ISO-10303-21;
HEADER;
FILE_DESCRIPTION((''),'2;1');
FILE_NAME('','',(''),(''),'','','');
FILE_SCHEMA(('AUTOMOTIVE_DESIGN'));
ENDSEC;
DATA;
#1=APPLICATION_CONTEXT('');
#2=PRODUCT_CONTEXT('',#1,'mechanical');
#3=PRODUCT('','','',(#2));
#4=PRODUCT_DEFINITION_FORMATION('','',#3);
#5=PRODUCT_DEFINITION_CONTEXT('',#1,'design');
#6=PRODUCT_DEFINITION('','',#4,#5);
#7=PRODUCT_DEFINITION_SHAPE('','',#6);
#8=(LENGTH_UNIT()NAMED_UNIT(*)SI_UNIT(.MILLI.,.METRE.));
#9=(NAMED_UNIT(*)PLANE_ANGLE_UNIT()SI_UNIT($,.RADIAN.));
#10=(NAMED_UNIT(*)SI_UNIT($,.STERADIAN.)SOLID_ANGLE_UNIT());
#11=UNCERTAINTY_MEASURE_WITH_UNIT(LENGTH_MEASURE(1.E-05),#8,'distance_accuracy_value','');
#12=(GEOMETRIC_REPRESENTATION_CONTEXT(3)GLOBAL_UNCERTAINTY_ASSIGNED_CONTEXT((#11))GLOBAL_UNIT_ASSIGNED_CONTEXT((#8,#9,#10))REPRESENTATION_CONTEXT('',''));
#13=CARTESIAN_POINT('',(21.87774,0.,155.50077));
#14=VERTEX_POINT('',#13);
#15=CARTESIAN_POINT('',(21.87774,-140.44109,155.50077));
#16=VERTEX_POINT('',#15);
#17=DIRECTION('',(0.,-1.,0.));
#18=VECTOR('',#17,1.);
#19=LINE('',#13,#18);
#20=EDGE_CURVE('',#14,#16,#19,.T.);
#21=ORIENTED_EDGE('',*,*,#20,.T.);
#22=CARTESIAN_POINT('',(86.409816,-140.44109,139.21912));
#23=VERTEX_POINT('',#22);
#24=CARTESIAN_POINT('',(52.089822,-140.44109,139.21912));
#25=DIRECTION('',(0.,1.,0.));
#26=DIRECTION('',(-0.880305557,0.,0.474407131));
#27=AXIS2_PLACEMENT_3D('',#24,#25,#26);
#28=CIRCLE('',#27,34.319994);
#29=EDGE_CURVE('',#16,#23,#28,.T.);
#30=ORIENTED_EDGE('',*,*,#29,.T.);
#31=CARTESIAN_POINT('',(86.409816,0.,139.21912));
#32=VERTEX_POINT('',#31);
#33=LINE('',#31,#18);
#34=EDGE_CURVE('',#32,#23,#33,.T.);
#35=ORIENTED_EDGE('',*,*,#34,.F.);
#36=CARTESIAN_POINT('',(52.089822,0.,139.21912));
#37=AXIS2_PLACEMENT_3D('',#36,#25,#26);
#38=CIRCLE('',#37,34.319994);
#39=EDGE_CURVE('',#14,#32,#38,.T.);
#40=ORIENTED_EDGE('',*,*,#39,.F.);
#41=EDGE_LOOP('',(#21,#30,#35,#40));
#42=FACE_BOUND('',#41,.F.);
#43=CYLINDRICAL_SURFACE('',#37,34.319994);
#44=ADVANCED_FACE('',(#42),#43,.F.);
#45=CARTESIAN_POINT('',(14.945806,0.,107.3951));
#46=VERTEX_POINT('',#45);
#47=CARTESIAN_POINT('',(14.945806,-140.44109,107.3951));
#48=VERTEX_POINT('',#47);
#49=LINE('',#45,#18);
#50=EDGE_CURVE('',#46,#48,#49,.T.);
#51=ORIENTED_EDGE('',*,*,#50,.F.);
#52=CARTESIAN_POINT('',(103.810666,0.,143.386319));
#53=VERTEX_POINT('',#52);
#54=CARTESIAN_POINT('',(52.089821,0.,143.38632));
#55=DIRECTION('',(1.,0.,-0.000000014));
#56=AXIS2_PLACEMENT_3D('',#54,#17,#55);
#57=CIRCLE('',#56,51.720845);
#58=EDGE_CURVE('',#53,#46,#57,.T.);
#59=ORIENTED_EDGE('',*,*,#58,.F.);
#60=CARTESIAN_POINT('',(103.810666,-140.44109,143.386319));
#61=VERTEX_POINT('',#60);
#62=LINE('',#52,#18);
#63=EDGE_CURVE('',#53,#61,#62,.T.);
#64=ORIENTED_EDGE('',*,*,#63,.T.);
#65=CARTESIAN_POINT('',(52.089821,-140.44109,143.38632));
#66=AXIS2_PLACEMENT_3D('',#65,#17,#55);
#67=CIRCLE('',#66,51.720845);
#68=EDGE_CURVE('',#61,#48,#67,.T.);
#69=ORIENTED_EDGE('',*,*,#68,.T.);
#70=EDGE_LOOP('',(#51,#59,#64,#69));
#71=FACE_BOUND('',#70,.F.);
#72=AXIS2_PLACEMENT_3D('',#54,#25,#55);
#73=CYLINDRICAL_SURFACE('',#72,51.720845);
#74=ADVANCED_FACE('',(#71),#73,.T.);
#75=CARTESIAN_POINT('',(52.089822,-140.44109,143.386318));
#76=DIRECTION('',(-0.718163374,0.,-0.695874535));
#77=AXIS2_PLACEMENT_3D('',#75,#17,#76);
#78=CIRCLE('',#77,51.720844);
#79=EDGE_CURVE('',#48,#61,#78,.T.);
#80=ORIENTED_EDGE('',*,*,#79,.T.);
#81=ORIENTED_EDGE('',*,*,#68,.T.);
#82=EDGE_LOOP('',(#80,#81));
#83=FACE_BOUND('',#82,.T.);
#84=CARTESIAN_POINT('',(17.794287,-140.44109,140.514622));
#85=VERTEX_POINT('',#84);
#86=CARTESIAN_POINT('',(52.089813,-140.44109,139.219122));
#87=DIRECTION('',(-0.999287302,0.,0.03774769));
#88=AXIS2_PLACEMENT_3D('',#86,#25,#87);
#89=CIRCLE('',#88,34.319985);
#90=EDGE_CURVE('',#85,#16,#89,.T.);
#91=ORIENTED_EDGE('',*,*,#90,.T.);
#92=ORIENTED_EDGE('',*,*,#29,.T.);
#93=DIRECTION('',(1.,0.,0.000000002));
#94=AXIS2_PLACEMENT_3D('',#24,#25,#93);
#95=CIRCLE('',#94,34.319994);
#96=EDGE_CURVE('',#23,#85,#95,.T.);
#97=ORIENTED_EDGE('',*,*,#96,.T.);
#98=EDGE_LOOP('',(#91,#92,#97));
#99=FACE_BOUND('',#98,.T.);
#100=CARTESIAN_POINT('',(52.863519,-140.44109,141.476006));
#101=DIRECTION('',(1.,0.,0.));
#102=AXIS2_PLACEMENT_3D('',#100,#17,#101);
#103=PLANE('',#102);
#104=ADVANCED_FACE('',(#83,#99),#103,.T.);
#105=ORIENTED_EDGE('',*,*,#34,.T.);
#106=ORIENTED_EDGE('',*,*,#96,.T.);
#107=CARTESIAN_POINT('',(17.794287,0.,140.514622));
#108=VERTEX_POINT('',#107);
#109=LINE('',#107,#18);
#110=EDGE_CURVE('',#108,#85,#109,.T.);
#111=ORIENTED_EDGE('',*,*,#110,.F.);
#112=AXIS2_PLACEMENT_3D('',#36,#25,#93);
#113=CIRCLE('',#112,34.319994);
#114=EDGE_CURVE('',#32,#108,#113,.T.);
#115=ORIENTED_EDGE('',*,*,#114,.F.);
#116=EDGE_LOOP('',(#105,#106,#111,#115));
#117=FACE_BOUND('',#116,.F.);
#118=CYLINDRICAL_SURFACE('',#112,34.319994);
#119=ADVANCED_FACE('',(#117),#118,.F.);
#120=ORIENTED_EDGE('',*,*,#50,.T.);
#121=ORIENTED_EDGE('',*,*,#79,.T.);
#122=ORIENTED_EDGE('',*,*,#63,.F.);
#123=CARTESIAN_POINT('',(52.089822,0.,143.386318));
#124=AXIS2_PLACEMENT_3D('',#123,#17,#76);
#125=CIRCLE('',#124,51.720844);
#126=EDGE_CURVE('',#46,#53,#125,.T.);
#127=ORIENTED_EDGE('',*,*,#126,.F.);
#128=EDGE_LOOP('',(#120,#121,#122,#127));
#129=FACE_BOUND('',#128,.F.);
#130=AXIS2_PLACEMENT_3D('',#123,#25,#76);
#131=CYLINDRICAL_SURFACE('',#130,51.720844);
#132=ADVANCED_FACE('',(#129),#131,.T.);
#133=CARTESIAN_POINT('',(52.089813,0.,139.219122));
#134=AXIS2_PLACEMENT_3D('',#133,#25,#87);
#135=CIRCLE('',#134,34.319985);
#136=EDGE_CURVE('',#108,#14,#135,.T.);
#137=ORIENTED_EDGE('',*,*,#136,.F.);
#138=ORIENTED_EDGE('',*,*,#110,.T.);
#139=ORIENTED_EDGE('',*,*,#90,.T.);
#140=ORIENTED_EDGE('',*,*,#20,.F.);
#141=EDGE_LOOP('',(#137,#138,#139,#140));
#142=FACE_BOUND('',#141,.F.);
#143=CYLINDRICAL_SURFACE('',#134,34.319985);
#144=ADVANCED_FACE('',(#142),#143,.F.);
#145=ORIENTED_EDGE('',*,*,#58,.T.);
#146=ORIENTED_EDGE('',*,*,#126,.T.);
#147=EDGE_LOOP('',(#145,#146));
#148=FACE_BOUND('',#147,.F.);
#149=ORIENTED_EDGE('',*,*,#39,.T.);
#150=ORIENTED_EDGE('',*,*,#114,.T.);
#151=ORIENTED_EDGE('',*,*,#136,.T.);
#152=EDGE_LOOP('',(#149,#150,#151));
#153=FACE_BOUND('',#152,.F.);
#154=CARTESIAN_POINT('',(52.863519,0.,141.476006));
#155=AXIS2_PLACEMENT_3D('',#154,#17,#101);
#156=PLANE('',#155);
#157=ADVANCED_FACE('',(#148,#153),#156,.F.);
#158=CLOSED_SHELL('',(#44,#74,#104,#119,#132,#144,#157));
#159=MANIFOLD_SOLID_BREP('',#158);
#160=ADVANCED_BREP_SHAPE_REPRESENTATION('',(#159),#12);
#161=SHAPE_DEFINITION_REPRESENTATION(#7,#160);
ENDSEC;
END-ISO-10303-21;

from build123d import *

# Parameters (mm, degrees)
F1_DEPTH = 140.44109


with BuildPart() as f1:
    # F0 (on Front) → F1 (new body)
    with BuildSketch(Plane.XZ):
        with BuildLine():
            ThreePointArc((103.810666, 143.386319), (32.674288, 191.324643), (14.945806, 107.3951))
            ThreePointArc((14.945806, 107.3951), (71.505356, 95.447996), (103.810666, 143.386319))
        make_face()
        with BuildLine():
            ThreePointArc((86.409816, 139.21912), (51.441955, 104.905241), (17.794287, 140.514622))
            ThreePointArc((17.794287, 140.514622), (18.97707, 148.241742), (21.87774, 155.50077))
            ThreePointArc((21.87774, 155.50077), (60.485759, 172.496293), (86.409816, 139.21912))
        make_face(mode=Mode.SUBTRACT)
    extrude(amount=F1_DEPTH)


solid = f1.part
